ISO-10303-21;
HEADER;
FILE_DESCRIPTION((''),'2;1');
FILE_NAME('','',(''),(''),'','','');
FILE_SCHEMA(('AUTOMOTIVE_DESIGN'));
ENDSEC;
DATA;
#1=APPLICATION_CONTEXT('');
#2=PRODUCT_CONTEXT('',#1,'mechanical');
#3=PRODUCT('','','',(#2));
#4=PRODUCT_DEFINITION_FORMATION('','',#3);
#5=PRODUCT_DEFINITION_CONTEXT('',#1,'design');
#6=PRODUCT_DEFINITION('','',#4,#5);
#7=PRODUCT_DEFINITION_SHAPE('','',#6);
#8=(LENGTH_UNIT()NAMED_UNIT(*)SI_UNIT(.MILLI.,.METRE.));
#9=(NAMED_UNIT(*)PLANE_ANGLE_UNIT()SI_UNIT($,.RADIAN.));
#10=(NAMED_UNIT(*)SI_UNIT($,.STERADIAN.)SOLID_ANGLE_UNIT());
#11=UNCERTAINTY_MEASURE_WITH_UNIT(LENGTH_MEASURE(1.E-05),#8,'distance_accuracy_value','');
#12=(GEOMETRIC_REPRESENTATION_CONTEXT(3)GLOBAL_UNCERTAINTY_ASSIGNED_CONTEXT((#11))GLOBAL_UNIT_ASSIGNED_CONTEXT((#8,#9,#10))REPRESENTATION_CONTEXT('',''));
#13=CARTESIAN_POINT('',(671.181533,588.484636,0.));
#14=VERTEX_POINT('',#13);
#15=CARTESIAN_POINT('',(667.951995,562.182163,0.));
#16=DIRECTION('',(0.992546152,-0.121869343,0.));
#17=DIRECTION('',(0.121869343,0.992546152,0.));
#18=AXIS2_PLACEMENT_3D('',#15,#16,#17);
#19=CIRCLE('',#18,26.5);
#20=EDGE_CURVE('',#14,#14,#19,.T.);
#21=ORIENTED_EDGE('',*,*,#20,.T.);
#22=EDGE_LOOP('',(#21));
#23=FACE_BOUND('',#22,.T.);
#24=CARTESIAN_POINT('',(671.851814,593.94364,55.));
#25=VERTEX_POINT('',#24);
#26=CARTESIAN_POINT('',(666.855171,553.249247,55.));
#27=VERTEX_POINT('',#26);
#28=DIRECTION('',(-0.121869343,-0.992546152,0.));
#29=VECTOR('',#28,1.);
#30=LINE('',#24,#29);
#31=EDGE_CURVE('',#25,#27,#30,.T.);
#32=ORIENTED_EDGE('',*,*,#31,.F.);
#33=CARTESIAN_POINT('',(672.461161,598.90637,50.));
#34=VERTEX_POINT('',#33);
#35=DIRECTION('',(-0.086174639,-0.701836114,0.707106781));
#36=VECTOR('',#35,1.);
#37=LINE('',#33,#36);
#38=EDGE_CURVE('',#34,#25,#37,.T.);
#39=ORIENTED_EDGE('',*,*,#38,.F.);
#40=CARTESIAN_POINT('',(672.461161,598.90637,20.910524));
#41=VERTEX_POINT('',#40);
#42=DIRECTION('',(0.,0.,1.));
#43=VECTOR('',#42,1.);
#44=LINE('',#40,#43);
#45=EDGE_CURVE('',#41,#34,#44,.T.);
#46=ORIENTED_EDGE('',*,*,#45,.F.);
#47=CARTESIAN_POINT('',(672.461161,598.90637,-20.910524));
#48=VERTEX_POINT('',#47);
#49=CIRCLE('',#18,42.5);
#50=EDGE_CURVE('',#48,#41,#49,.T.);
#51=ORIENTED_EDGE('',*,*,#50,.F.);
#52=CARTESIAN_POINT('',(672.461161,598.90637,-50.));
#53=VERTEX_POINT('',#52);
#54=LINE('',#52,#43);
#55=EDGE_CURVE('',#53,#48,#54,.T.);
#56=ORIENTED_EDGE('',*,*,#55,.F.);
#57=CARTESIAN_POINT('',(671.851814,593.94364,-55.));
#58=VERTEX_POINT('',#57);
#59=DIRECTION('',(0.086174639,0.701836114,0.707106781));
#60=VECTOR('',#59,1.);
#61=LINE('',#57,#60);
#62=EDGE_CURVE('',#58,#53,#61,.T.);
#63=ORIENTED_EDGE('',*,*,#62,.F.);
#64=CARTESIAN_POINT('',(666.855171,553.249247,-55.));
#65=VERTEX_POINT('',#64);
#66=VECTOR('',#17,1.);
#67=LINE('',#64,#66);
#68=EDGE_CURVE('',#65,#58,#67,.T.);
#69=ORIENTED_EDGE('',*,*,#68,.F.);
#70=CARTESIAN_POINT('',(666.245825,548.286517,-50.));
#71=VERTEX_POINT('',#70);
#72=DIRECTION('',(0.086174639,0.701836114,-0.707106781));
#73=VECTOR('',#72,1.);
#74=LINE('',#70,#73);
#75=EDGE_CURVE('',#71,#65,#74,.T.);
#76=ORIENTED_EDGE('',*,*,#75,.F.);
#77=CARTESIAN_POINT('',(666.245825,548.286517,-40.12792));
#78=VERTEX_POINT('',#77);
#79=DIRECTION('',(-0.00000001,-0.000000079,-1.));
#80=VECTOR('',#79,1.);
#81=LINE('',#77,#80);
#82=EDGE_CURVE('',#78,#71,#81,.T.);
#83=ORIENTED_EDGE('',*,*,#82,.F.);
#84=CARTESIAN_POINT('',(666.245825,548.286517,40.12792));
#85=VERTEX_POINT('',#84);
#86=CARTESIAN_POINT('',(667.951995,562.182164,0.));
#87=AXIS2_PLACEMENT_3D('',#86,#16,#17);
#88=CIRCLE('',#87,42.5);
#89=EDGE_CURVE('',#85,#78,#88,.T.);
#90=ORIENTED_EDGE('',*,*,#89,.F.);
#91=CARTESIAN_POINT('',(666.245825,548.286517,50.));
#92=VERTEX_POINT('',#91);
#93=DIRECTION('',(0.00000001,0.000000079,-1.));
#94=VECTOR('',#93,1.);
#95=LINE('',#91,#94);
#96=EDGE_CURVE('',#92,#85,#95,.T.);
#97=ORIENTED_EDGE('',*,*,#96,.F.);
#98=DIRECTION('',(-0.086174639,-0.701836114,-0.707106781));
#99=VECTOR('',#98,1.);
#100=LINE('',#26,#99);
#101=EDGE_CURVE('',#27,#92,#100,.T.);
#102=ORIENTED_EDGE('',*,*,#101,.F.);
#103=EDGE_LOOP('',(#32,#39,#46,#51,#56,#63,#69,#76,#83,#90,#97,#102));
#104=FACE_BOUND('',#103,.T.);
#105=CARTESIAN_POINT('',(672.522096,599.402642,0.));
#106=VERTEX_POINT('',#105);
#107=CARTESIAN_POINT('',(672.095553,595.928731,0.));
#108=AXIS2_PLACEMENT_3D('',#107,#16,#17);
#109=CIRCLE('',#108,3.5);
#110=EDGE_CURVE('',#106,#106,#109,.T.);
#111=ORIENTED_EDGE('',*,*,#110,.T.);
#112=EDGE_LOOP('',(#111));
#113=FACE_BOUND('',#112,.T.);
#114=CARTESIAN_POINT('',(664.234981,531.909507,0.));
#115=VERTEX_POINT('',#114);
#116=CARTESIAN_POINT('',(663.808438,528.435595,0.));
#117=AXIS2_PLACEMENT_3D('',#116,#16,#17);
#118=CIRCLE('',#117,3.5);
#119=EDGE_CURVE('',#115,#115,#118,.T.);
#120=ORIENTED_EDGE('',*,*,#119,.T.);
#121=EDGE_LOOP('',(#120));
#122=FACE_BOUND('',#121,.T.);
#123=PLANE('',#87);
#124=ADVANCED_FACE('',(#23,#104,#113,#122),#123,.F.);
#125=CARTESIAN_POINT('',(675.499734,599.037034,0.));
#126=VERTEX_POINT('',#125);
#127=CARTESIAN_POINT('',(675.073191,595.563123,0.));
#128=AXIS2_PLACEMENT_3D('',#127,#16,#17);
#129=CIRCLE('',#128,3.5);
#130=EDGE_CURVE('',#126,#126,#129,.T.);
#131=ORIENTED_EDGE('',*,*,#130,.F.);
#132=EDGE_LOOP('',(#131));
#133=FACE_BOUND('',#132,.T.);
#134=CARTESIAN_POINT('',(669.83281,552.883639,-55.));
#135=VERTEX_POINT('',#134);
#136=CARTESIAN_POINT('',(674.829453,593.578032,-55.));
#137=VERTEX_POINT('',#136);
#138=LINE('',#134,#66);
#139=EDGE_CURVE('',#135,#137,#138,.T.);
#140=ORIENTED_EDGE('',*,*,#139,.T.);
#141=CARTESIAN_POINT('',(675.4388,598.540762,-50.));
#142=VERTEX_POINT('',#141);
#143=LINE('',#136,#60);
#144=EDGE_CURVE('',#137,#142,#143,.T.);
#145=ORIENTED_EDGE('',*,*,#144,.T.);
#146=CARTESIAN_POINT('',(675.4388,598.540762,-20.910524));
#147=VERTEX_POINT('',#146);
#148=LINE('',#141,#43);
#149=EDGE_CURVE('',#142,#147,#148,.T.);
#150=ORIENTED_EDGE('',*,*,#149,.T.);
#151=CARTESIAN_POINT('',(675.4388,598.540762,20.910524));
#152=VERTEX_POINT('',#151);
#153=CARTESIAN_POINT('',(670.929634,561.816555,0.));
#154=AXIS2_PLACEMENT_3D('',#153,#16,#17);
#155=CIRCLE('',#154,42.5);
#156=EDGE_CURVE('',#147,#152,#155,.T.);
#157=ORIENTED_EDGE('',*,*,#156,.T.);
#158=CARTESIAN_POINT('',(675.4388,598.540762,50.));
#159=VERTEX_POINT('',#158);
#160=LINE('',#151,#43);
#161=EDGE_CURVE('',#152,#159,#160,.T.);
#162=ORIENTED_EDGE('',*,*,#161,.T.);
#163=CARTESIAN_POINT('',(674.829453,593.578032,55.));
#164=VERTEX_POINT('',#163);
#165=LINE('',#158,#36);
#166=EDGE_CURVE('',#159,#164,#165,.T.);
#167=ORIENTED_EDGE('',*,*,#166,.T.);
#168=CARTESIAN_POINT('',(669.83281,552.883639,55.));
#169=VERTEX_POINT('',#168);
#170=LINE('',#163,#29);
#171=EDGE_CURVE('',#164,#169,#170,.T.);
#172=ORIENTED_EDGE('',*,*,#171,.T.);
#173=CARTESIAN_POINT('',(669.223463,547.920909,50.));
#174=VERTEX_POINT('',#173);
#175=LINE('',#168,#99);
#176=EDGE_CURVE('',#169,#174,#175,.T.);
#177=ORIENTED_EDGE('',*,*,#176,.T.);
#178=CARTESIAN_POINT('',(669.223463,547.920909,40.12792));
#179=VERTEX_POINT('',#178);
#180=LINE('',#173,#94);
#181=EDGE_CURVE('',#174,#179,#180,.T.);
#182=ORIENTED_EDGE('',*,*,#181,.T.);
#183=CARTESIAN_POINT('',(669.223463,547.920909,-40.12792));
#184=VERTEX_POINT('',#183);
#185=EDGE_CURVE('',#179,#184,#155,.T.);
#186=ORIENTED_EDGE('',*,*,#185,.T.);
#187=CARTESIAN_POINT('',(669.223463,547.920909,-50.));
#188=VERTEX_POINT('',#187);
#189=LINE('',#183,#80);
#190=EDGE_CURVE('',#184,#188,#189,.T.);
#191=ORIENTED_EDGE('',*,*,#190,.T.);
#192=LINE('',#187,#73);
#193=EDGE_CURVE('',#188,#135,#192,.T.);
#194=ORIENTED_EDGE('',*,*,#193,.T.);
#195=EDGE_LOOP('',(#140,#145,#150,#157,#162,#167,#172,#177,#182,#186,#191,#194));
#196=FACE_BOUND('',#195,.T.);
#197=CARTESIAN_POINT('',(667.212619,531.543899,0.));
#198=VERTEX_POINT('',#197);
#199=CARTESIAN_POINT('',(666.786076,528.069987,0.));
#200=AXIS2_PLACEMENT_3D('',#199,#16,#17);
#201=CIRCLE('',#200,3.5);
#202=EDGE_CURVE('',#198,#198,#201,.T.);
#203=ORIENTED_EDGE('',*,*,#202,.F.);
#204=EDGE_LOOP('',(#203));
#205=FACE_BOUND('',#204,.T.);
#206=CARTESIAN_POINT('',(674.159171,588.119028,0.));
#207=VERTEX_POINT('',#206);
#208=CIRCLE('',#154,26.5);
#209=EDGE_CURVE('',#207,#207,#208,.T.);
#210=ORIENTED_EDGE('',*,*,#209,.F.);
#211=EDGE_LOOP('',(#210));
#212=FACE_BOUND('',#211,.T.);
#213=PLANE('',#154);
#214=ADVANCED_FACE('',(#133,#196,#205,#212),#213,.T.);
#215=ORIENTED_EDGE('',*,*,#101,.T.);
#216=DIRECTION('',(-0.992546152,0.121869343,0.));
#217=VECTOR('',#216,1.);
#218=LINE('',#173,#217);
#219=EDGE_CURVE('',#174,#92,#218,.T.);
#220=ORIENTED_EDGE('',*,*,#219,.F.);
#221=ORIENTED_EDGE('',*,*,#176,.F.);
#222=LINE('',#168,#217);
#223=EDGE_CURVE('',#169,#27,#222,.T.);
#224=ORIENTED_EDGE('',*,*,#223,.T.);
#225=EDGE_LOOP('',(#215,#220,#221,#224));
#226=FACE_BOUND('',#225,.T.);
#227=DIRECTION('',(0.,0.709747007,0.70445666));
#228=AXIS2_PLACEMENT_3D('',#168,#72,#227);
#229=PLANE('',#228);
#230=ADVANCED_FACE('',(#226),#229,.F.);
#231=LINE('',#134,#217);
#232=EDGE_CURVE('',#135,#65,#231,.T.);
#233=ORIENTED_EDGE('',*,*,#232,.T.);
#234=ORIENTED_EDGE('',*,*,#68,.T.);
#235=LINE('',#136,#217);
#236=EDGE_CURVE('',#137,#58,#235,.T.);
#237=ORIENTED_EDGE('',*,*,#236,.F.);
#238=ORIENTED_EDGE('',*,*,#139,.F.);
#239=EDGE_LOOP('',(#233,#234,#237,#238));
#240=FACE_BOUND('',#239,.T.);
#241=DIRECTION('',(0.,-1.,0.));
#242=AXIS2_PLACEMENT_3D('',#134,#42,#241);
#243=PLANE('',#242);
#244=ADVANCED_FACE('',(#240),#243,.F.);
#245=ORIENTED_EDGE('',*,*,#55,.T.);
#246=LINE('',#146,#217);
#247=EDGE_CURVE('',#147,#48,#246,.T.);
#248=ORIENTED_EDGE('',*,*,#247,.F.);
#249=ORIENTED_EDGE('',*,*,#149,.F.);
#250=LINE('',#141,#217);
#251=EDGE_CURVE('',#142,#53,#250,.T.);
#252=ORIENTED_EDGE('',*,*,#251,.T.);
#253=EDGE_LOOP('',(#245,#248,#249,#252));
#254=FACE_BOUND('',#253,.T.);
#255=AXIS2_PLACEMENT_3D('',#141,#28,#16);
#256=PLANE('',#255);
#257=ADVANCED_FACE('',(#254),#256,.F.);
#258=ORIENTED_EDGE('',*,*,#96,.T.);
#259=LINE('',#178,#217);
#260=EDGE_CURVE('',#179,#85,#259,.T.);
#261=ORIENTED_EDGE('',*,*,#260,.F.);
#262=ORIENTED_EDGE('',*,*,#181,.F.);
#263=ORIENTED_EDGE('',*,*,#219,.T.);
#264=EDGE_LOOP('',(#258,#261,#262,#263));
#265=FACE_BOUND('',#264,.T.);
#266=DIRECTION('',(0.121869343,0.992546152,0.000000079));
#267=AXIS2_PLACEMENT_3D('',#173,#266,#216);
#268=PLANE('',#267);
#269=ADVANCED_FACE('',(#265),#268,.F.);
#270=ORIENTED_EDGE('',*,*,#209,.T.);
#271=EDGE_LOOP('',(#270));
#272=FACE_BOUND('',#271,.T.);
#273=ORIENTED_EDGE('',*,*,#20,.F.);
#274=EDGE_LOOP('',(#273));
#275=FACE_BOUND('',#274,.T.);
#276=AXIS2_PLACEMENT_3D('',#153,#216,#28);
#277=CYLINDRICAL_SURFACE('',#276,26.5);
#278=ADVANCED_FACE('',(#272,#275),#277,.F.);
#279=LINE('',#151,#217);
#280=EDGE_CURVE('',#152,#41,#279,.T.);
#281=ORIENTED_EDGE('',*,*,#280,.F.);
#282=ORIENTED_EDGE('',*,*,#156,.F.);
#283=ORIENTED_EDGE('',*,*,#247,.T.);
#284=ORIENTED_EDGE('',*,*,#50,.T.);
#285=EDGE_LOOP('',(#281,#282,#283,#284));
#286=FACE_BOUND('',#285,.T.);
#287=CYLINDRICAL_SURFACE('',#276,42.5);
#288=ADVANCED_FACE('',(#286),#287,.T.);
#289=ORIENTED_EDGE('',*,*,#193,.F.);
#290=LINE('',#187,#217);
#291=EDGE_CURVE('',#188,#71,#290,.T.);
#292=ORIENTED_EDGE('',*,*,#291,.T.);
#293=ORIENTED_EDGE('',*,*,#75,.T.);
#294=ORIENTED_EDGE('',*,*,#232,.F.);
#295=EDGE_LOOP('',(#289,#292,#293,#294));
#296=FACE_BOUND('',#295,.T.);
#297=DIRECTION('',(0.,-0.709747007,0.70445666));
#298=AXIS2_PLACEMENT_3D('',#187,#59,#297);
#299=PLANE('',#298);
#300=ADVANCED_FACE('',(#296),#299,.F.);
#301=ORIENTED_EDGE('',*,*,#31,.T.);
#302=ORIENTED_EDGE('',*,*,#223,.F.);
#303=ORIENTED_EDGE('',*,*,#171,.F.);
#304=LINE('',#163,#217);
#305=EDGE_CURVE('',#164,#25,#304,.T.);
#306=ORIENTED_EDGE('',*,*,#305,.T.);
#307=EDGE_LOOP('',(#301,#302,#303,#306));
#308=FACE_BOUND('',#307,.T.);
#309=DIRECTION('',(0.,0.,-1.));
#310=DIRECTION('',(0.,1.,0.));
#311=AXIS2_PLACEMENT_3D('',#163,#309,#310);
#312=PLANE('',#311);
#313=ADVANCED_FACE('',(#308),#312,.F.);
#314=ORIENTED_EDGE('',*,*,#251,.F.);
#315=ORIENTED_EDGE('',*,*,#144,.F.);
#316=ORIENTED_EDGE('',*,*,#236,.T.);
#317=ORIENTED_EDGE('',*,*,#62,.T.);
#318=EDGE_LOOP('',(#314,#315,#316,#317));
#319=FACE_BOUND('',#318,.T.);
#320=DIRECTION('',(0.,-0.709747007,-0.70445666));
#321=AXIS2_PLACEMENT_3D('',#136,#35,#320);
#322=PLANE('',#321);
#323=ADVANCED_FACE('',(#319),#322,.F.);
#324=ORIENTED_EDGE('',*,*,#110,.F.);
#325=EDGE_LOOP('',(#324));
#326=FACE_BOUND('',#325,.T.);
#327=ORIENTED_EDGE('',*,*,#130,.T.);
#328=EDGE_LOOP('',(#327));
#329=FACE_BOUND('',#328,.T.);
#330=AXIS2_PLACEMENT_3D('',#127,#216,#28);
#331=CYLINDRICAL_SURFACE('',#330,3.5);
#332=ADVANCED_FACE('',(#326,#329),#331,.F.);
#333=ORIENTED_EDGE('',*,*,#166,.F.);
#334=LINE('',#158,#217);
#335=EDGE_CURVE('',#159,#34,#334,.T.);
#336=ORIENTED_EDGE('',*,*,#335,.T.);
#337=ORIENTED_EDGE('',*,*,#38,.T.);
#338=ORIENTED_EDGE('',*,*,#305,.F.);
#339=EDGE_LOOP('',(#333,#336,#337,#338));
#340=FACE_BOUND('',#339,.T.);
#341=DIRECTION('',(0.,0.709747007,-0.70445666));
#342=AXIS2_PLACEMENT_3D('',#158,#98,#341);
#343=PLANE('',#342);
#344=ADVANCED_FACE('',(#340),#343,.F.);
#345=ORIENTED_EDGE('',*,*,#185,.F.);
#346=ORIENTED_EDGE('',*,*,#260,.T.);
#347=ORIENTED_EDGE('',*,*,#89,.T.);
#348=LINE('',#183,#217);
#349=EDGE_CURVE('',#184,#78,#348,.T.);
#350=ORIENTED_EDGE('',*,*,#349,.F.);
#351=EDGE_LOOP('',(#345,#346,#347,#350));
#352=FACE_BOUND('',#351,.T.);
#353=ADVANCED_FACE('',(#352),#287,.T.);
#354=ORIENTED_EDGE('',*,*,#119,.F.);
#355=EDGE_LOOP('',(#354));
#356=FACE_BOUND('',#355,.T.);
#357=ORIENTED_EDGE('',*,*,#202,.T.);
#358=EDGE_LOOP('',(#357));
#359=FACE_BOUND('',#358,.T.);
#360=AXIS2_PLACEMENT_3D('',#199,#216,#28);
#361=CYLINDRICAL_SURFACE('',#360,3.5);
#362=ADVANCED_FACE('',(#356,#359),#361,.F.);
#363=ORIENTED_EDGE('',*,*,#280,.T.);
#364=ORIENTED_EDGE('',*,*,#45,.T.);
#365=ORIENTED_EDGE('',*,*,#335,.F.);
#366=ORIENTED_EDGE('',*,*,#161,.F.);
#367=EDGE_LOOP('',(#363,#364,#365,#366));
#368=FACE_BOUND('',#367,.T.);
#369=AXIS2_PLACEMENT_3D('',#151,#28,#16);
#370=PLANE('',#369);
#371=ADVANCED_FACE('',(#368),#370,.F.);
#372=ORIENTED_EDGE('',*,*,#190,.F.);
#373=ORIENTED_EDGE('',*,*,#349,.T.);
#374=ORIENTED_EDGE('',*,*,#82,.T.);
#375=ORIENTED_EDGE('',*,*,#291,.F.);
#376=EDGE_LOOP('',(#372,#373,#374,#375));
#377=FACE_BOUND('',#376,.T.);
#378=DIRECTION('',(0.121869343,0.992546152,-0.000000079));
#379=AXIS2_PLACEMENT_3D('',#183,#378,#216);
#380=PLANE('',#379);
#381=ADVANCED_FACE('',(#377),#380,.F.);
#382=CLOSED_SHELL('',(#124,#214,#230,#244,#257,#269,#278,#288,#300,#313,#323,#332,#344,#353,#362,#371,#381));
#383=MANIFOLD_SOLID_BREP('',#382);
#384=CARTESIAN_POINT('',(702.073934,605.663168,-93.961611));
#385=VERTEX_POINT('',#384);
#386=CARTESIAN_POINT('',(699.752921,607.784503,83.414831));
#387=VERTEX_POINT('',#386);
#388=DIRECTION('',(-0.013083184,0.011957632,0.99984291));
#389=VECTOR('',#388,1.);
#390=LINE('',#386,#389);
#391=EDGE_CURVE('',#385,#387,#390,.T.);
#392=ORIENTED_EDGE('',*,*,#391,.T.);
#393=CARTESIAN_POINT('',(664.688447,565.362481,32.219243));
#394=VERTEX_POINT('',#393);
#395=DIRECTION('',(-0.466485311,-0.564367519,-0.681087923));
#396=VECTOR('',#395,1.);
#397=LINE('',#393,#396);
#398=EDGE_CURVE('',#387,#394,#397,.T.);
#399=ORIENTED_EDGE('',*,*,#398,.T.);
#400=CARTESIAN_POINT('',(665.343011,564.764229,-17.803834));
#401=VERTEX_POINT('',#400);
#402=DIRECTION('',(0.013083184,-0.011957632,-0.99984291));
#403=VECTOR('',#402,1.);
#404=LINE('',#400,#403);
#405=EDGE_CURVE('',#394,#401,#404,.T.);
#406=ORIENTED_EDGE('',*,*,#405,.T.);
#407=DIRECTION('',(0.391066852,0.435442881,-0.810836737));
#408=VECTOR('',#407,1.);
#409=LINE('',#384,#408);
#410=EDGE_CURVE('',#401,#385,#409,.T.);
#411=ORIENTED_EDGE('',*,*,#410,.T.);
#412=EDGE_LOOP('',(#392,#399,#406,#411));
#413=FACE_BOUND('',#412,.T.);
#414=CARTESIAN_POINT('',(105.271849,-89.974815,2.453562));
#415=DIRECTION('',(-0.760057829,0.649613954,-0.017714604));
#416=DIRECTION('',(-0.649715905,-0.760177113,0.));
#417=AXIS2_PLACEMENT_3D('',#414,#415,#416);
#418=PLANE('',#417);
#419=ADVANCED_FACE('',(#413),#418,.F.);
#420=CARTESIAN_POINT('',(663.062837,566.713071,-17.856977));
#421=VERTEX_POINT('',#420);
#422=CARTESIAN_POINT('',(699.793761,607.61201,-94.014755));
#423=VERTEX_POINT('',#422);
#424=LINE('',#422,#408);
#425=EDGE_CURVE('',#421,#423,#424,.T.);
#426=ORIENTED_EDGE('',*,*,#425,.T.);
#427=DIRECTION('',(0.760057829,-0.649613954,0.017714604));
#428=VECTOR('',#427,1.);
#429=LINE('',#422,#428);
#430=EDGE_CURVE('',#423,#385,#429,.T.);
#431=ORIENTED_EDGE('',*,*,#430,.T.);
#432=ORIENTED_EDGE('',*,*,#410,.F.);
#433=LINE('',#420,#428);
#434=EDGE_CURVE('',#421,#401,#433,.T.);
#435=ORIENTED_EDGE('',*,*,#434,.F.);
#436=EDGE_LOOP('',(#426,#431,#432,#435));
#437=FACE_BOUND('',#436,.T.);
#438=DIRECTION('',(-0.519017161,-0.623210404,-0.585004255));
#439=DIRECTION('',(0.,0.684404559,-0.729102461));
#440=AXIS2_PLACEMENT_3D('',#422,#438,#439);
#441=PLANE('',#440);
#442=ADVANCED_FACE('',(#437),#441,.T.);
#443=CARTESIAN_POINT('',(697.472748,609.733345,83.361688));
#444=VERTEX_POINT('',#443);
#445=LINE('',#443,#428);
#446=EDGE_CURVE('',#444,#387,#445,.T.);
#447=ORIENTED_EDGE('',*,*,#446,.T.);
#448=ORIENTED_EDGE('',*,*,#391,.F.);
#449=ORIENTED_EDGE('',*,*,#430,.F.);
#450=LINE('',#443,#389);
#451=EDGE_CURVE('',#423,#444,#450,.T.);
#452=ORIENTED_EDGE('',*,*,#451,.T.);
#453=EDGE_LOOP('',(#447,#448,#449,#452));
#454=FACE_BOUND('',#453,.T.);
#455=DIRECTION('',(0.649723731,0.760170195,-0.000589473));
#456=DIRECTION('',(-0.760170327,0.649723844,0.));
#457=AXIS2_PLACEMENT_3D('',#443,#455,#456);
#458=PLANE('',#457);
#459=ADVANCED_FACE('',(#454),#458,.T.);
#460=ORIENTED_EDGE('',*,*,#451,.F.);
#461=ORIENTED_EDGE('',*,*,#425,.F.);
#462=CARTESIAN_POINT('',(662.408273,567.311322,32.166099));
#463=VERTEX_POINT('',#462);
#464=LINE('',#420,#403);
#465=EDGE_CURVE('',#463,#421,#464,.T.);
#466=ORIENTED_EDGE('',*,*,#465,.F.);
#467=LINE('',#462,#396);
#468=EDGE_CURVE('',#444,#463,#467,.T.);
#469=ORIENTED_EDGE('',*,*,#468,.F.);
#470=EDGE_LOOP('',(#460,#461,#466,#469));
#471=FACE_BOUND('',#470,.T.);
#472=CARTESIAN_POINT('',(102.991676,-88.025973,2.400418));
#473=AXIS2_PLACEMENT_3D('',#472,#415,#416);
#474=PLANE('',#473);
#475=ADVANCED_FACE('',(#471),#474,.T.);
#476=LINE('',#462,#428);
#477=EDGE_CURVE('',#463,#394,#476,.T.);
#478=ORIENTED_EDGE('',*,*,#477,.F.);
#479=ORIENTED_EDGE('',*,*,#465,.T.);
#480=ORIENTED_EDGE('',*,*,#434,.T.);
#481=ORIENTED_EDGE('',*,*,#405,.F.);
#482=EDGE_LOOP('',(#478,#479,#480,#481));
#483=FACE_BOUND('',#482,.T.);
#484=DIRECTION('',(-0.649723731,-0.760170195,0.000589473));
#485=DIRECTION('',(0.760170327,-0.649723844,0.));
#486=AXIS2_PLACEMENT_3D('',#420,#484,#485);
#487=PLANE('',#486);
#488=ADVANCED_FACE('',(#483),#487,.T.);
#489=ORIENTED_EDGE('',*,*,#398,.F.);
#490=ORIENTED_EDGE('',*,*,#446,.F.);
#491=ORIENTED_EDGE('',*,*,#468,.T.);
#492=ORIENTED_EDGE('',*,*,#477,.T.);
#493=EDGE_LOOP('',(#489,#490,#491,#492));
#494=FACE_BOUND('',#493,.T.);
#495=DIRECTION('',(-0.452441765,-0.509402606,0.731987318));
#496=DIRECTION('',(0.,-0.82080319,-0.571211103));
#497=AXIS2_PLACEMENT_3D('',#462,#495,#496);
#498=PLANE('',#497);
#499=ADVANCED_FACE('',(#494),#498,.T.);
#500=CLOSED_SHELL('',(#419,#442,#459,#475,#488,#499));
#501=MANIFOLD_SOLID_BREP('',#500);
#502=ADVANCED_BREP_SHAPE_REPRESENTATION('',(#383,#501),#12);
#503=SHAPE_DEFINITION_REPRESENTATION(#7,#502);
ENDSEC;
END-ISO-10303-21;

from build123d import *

# Parameters (mm, degrees)
BOSS_EXTRUDE1_START = -15.9
BOSS_EXTRUDE1_DEPTH = 3
SKETCH3_R           = 3.5
SKETCH3_R_2         = 26.5
BOSS_EXTRUDE2_DEPTH = 3


with BuildPart() as part:
    # Sketch2 → Boss-Extrude1 (new body)
    with BuildSketch(Plane(origin=(117.356768786, -100.303676541, 2.735224282), x_dir=(0.013083184034836956, -0.011957631507149957, -0.9998429103335432), z_dir=(0.7600578289260114, -0.6496139542146466, 0.017714603520517413)).offset(BOSS_EXTRUDE1_START)):
        Polygon((-30.278336534, 861.616572504), (-81.514394736, 916.616572504), (95.889916348, 916.616572504), (19.752599346, 861.616572504), align=None)
    extrude(amount=-BOSS_EXTRUDE1_DEPTH)


with BuildPart() as body_2:
    # Sketch3 → Boss-Extrude2 (new body)
    with BuildSketch(Plane(origin=(590.029393702, -72.446500026, 0), x_dir=(0, 0, -1), z_dir=(0.992546151641322, -0.12186934340514777, 0))):
        with BuildLine():
            Line((40.127920454, 625.394614031), (49.999999876, 625.394613247))
            Line((49.999999876, 625.394613247), (54.999999876, 630.394613247))
            Line((54.999999876, 630.394613247), (54.999999876, 671.394613247))
            Line((54.999999876, 671.394613247), (49.999999876, 676.394613247))
            Line((49.999999876, 676.394613247), (20.910523666, 676.394613247))
            ThreePointArc((20.910523666, 676.394613247), (0, 681.894613247), (-20.910523666, 676.394613247))
            Line((-20.910523666, 676.394613247), (-50, 676.394613247))
            Line((-50, 676.394613247), (-55, 671.394613247))
            Line((-55, 671.394613247), (-55, 630.394613247))
            Line((-55, 630.394613247), (-50, 625.394613247))
            Line((-50, 625.394613247), (-40.127920454, 625.394614031))
            ThreePointArc((-40.127920454, 625.394614031), (0, 596.894614031), (40.127920454, 625.394614031))
        make_face()
        with Locations(Location((0, 605.394615096, 0), (0, 0, 90))):
            Circle(SKETCH3_R, mode=Mode.SUBTRACT)
        with Locations(Location((0, 673.394612265, 0), (0, 0, 90))):
            Circle(SKETCH3_R, mode=Mode.SUBTRACT)
        with Locations(Location((0, 639.394613247, 0), (0, 0, 90))):
            Circle(SKETCH3_R_2, mode=Mode.SUBTRACT)
    extrude(amount=BOSS_EXTRUDE2_DEPTH)


solid = Compound([part.part, body_2.part])
